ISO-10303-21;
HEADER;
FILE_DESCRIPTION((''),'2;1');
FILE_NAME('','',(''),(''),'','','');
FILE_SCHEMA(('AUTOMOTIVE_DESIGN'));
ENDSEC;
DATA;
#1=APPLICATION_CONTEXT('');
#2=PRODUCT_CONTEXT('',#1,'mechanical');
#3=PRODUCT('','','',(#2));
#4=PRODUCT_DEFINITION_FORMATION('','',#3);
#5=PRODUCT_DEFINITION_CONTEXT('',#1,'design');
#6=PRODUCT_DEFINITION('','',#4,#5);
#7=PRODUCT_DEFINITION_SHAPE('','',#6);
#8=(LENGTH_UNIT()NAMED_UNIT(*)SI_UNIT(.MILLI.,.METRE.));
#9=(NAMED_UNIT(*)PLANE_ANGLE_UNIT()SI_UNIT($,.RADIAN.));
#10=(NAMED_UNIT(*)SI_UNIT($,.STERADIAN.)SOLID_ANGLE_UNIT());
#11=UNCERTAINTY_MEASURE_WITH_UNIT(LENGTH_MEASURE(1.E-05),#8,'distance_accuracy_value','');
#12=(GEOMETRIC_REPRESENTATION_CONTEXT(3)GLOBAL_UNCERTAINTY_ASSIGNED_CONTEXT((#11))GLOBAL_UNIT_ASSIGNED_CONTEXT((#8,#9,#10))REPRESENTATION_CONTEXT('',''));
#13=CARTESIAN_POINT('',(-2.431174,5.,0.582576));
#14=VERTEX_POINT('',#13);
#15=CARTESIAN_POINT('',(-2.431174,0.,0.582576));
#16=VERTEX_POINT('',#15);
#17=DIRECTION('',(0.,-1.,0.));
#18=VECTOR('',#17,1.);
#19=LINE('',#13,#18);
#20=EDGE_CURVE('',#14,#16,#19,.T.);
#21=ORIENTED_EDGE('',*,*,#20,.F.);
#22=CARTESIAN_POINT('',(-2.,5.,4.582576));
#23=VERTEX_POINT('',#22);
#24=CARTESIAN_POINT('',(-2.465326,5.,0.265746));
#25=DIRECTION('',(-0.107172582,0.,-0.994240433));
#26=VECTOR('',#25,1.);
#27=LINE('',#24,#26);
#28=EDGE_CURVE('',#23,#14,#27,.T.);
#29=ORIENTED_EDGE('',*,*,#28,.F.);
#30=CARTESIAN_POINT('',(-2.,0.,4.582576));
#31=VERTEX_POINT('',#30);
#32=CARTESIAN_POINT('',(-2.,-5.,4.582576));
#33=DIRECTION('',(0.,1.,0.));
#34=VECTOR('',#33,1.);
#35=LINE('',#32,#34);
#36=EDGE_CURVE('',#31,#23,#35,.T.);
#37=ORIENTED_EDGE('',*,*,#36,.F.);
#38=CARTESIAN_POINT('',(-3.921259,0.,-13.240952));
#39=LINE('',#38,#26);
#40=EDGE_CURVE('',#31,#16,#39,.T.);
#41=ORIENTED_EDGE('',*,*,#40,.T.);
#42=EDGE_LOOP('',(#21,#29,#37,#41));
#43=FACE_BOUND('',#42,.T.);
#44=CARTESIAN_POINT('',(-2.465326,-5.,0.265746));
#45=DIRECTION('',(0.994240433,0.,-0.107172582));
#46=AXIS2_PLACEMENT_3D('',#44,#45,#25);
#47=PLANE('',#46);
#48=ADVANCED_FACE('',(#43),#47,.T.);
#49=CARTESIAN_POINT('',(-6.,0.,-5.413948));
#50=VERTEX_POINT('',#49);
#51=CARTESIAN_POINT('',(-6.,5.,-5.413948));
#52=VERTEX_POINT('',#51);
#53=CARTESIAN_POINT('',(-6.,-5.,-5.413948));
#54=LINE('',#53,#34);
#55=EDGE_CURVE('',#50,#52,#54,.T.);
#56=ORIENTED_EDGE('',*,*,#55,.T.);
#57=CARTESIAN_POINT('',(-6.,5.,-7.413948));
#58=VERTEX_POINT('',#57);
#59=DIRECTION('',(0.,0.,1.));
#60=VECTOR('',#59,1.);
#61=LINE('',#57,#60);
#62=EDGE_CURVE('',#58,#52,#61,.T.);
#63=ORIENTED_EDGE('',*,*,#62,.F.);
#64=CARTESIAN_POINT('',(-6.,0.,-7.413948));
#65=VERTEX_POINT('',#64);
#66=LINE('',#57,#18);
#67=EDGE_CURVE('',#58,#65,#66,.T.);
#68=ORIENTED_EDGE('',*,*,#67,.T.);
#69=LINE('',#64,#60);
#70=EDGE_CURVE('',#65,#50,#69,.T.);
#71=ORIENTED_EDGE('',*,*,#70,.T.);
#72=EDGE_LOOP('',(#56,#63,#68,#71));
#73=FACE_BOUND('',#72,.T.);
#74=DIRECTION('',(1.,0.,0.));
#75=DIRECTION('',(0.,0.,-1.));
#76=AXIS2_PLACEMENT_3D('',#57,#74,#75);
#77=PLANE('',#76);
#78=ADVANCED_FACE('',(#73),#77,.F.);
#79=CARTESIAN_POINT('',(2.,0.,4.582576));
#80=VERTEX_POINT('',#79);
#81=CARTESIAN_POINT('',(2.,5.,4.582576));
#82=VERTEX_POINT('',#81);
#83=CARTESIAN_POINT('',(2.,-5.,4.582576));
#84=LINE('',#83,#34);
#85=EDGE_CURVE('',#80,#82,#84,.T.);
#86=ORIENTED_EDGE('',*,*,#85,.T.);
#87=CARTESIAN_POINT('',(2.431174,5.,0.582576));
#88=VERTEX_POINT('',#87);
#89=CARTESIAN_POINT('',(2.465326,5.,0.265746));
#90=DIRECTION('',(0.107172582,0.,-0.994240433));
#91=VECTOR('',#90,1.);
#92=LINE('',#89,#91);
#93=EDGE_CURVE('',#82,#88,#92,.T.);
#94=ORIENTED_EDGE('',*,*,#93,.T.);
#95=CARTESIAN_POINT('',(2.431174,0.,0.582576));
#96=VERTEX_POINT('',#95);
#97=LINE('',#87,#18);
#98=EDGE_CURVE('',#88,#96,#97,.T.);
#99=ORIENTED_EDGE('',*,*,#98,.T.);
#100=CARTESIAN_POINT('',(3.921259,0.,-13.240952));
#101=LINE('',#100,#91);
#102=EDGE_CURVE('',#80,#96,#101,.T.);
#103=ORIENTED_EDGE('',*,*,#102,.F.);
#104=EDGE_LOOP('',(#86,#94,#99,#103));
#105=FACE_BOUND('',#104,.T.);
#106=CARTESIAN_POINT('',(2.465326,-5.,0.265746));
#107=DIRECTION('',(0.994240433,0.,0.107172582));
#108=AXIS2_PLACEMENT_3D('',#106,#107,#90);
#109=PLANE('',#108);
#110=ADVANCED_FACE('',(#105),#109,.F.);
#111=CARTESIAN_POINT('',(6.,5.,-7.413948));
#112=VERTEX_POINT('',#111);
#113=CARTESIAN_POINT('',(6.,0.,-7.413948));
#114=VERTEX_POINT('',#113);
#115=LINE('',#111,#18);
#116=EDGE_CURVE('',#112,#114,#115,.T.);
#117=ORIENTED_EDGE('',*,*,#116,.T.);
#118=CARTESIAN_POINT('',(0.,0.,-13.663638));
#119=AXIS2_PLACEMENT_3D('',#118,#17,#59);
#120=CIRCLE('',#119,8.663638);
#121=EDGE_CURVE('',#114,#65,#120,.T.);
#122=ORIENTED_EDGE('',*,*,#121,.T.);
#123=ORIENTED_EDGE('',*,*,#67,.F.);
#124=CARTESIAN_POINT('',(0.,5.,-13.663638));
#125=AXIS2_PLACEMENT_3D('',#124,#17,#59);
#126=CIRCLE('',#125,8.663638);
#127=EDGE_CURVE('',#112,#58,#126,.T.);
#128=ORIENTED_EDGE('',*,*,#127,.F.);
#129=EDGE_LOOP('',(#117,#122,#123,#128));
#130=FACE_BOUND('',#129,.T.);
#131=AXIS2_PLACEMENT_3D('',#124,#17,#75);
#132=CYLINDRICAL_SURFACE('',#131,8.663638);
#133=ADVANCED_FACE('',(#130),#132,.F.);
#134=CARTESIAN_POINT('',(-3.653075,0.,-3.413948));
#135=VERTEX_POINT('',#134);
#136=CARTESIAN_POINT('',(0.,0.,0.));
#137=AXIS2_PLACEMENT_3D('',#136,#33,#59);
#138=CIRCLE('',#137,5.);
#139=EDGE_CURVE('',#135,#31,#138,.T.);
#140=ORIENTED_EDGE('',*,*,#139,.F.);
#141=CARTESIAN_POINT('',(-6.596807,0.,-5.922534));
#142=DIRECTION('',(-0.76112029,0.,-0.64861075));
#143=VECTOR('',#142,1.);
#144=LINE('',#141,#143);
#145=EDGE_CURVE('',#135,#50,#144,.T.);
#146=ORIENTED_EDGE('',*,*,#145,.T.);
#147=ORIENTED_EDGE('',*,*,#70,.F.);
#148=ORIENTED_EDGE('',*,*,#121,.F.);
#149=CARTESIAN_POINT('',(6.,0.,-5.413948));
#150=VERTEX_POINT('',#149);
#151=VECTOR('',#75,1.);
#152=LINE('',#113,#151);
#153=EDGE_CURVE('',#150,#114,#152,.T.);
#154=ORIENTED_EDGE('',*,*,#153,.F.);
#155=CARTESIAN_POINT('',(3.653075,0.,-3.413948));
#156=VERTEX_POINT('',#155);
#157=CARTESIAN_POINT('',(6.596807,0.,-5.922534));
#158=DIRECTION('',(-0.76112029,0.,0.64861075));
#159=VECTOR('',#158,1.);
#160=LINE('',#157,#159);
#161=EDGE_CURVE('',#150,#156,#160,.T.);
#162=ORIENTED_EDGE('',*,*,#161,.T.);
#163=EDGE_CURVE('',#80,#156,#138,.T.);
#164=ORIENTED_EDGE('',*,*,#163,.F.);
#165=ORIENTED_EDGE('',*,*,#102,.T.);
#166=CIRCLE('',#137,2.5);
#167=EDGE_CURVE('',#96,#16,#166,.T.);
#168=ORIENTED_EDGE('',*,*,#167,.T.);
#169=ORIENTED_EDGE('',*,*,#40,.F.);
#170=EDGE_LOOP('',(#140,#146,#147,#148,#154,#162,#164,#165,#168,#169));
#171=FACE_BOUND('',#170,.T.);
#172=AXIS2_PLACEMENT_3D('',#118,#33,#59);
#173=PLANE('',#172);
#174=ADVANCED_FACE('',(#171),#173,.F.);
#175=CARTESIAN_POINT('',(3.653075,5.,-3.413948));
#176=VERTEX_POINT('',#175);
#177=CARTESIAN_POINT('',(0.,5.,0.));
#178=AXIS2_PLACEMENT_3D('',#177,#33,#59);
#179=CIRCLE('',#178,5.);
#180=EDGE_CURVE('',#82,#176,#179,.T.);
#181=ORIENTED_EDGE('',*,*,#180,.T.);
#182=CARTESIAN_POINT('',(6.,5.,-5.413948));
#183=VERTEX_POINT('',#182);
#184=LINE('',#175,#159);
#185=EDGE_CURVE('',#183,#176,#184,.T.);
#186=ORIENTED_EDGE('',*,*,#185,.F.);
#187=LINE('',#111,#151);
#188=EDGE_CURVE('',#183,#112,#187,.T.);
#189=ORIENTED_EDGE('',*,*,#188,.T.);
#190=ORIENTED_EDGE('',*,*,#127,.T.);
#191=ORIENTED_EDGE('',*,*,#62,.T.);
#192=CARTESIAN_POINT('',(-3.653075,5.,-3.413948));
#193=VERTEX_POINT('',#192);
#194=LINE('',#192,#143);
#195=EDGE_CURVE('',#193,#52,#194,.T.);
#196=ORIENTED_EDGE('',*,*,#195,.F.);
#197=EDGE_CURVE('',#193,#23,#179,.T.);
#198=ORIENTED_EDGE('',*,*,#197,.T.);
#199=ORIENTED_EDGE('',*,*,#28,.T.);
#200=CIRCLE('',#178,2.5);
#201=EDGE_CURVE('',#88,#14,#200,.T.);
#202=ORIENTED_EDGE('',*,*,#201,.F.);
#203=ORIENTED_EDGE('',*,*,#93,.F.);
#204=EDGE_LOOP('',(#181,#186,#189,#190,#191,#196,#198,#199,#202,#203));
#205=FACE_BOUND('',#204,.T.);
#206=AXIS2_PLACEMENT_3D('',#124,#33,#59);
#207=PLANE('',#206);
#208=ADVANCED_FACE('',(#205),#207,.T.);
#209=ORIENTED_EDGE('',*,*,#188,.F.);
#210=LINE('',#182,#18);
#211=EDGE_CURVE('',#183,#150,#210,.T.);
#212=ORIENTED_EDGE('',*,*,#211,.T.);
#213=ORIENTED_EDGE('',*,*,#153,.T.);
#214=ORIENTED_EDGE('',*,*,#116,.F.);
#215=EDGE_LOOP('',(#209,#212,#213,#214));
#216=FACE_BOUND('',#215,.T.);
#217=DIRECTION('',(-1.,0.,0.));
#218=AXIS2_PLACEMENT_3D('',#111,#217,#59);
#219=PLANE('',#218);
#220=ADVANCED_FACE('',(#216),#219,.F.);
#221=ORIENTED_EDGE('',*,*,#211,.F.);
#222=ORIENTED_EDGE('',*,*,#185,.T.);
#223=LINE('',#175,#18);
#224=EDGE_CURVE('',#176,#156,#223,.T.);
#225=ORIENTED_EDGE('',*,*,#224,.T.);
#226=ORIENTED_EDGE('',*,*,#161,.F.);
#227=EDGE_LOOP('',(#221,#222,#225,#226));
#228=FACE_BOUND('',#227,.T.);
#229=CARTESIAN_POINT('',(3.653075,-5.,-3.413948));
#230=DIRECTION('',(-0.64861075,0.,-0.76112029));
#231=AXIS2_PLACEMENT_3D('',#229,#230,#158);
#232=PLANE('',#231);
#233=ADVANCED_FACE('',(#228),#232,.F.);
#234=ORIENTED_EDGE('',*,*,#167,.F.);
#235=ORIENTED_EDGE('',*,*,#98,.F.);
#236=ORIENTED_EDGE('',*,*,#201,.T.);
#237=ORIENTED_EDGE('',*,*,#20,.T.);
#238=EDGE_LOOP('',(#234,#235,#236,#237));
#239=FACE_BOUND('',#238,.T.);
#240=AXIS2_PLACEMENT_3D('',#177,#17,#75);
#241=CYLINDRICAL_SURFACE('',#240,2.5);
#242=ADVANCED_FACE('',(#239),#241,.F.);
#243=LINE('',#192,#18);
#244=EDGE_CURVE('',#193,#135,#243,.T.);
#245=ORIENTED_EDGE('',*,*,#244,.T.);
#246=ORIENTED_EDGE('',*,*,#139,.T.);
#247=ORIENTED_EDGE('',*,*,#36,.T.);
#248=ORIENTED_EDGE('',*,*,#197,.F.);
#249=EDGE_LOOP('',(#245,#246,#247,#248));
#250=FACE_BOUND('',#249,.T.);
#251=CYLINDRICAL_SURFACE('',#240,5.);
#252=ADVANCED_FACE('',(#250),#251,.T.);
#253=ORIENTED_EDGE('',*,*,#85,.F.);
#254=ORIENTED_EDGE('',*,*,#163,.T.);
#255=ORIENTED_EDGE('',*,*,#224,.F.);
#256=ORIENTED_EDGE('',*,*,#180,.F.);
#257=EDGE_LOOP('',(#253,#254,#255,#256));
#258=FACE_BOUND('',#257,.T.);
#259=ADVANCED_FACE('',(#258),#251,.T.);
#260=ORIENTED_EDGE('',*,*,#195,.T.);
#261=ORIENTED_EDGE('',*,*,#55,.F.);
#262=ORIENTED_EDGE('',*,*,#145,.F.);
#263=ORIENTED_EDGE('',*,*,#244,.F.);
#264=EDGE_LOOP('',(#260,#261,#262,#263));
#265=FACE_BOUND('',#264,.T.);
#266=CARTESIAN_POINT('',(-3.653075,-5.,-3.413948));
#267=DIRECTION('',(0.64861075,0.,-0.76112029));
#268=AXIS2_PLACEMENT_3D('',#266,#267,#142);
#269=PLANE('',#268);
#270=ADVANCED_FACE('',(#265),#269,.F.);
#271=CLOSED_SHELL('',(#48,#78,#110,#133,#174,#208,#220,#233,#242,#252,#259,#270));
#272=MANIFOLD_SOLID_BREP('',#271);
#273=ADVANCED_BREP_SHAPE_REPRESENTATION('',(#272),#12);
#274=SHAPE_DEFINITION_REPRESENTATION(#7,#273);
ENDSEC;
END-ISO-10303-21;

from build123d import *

# Parameters (mm, degrees)
CROQUIS1_R              = 2.5
SALIENTE_EXTRUIR1_DEPTH = 5
CORTAR_EXTRUIR1_START   = -10
CORTAR_EXTRUIR1_DEPTH   = 10
CORTAR_EXTRUIR2_DEPTH   = 10


with BuildPart() as part:
    # Croquis1 → Saliente-Extruir1 (new body)
    with BuildSketch(Plane(origin=(0, 0, 0), x_dir=(1, 0, 0), z_dir=(0, 1, 0))):
        with BuildLine():
            Line((-6, 7.413947971), (-6, 3.413947971))
            Line((-6, 3.413947971), (-3.653075314, 3.413947971))
            ThreePointArc((-3.653075314, 3.413947971), (0, -5), (3.653075314, 3.413947971))
            Line((3.653075314, 3.413947971), (6, 3.413947971))
            Line((6, 3.413947971), (6, 7.413947971))
            ThreePointArc((6, 7.413947971), (0, 5), (-6, 7.413947971))
        make_face()
        with Locations(Location((0, 0, 0), (0, 0, 270))):
            Circle(CROQUIS1_R, mode=Mode.SUBTRACT)
    extrude(amount=SALIENTE_EXTRUIR1_DEPTH)

    # Croquis2 → Cortar-Extruir1 (cut)
    with BuildSketch(Plane(origin=(0, 5, 0), x_dir=(1, 0, 0), z_dir=(0, 1, 0)).offset(CORTAR_EXTRUIR1_START)):
        with BuildLine():
            ThreePointArc((2.4311737, -0.582575695), (1.548153862, -1.96296195), (0, -2.5))
            Line((0, -2.5), (0, -5))
            ThreePointArc((0, -5), (1.021548218, -4.894531565), (2, -4.582575695))
            Line((2, -4.582575695), (2.4311737, -0.582575695))
        make_face()
        with BuildLine():
            Line((0, -5), (0, -2.5))
            ThreePointArc((0, -2.5), (-1.548153862, -1.96296195), (-2.4311737, -0.582575695))
            Line((-2.4311737, -0.582575695), (-2, -4.582575695))
            ThreePointArc((-2, -4.582575695), (-1.021548218, -4.894531565), (0, -5))
        make_face()
    extrude(amount=CORTAR_EXTRUIR1_DEPTH, mode=Mode.SUBTRACT)

    # Croquis3 → Cortar-Extruir2 (cut)
    with BuildSketch(Plane(origin=(0, 5, 0), x_dir=(1, 0, 0), z_dir=(0, 1, 0))):
        Polygon((3.653075314, 3.413947971), (6, 5.413947971), (6, 3.413947971), align=None)
        Polygon((-3.653075314, 3.413947971), (-6, 5.413947971), (-6, 3.413947971), align=None)
    extrude(amount=-CORTAR_EXTRUIR2_DEPTH, mode=Mode.SUBTRACT)


solid = part.part
